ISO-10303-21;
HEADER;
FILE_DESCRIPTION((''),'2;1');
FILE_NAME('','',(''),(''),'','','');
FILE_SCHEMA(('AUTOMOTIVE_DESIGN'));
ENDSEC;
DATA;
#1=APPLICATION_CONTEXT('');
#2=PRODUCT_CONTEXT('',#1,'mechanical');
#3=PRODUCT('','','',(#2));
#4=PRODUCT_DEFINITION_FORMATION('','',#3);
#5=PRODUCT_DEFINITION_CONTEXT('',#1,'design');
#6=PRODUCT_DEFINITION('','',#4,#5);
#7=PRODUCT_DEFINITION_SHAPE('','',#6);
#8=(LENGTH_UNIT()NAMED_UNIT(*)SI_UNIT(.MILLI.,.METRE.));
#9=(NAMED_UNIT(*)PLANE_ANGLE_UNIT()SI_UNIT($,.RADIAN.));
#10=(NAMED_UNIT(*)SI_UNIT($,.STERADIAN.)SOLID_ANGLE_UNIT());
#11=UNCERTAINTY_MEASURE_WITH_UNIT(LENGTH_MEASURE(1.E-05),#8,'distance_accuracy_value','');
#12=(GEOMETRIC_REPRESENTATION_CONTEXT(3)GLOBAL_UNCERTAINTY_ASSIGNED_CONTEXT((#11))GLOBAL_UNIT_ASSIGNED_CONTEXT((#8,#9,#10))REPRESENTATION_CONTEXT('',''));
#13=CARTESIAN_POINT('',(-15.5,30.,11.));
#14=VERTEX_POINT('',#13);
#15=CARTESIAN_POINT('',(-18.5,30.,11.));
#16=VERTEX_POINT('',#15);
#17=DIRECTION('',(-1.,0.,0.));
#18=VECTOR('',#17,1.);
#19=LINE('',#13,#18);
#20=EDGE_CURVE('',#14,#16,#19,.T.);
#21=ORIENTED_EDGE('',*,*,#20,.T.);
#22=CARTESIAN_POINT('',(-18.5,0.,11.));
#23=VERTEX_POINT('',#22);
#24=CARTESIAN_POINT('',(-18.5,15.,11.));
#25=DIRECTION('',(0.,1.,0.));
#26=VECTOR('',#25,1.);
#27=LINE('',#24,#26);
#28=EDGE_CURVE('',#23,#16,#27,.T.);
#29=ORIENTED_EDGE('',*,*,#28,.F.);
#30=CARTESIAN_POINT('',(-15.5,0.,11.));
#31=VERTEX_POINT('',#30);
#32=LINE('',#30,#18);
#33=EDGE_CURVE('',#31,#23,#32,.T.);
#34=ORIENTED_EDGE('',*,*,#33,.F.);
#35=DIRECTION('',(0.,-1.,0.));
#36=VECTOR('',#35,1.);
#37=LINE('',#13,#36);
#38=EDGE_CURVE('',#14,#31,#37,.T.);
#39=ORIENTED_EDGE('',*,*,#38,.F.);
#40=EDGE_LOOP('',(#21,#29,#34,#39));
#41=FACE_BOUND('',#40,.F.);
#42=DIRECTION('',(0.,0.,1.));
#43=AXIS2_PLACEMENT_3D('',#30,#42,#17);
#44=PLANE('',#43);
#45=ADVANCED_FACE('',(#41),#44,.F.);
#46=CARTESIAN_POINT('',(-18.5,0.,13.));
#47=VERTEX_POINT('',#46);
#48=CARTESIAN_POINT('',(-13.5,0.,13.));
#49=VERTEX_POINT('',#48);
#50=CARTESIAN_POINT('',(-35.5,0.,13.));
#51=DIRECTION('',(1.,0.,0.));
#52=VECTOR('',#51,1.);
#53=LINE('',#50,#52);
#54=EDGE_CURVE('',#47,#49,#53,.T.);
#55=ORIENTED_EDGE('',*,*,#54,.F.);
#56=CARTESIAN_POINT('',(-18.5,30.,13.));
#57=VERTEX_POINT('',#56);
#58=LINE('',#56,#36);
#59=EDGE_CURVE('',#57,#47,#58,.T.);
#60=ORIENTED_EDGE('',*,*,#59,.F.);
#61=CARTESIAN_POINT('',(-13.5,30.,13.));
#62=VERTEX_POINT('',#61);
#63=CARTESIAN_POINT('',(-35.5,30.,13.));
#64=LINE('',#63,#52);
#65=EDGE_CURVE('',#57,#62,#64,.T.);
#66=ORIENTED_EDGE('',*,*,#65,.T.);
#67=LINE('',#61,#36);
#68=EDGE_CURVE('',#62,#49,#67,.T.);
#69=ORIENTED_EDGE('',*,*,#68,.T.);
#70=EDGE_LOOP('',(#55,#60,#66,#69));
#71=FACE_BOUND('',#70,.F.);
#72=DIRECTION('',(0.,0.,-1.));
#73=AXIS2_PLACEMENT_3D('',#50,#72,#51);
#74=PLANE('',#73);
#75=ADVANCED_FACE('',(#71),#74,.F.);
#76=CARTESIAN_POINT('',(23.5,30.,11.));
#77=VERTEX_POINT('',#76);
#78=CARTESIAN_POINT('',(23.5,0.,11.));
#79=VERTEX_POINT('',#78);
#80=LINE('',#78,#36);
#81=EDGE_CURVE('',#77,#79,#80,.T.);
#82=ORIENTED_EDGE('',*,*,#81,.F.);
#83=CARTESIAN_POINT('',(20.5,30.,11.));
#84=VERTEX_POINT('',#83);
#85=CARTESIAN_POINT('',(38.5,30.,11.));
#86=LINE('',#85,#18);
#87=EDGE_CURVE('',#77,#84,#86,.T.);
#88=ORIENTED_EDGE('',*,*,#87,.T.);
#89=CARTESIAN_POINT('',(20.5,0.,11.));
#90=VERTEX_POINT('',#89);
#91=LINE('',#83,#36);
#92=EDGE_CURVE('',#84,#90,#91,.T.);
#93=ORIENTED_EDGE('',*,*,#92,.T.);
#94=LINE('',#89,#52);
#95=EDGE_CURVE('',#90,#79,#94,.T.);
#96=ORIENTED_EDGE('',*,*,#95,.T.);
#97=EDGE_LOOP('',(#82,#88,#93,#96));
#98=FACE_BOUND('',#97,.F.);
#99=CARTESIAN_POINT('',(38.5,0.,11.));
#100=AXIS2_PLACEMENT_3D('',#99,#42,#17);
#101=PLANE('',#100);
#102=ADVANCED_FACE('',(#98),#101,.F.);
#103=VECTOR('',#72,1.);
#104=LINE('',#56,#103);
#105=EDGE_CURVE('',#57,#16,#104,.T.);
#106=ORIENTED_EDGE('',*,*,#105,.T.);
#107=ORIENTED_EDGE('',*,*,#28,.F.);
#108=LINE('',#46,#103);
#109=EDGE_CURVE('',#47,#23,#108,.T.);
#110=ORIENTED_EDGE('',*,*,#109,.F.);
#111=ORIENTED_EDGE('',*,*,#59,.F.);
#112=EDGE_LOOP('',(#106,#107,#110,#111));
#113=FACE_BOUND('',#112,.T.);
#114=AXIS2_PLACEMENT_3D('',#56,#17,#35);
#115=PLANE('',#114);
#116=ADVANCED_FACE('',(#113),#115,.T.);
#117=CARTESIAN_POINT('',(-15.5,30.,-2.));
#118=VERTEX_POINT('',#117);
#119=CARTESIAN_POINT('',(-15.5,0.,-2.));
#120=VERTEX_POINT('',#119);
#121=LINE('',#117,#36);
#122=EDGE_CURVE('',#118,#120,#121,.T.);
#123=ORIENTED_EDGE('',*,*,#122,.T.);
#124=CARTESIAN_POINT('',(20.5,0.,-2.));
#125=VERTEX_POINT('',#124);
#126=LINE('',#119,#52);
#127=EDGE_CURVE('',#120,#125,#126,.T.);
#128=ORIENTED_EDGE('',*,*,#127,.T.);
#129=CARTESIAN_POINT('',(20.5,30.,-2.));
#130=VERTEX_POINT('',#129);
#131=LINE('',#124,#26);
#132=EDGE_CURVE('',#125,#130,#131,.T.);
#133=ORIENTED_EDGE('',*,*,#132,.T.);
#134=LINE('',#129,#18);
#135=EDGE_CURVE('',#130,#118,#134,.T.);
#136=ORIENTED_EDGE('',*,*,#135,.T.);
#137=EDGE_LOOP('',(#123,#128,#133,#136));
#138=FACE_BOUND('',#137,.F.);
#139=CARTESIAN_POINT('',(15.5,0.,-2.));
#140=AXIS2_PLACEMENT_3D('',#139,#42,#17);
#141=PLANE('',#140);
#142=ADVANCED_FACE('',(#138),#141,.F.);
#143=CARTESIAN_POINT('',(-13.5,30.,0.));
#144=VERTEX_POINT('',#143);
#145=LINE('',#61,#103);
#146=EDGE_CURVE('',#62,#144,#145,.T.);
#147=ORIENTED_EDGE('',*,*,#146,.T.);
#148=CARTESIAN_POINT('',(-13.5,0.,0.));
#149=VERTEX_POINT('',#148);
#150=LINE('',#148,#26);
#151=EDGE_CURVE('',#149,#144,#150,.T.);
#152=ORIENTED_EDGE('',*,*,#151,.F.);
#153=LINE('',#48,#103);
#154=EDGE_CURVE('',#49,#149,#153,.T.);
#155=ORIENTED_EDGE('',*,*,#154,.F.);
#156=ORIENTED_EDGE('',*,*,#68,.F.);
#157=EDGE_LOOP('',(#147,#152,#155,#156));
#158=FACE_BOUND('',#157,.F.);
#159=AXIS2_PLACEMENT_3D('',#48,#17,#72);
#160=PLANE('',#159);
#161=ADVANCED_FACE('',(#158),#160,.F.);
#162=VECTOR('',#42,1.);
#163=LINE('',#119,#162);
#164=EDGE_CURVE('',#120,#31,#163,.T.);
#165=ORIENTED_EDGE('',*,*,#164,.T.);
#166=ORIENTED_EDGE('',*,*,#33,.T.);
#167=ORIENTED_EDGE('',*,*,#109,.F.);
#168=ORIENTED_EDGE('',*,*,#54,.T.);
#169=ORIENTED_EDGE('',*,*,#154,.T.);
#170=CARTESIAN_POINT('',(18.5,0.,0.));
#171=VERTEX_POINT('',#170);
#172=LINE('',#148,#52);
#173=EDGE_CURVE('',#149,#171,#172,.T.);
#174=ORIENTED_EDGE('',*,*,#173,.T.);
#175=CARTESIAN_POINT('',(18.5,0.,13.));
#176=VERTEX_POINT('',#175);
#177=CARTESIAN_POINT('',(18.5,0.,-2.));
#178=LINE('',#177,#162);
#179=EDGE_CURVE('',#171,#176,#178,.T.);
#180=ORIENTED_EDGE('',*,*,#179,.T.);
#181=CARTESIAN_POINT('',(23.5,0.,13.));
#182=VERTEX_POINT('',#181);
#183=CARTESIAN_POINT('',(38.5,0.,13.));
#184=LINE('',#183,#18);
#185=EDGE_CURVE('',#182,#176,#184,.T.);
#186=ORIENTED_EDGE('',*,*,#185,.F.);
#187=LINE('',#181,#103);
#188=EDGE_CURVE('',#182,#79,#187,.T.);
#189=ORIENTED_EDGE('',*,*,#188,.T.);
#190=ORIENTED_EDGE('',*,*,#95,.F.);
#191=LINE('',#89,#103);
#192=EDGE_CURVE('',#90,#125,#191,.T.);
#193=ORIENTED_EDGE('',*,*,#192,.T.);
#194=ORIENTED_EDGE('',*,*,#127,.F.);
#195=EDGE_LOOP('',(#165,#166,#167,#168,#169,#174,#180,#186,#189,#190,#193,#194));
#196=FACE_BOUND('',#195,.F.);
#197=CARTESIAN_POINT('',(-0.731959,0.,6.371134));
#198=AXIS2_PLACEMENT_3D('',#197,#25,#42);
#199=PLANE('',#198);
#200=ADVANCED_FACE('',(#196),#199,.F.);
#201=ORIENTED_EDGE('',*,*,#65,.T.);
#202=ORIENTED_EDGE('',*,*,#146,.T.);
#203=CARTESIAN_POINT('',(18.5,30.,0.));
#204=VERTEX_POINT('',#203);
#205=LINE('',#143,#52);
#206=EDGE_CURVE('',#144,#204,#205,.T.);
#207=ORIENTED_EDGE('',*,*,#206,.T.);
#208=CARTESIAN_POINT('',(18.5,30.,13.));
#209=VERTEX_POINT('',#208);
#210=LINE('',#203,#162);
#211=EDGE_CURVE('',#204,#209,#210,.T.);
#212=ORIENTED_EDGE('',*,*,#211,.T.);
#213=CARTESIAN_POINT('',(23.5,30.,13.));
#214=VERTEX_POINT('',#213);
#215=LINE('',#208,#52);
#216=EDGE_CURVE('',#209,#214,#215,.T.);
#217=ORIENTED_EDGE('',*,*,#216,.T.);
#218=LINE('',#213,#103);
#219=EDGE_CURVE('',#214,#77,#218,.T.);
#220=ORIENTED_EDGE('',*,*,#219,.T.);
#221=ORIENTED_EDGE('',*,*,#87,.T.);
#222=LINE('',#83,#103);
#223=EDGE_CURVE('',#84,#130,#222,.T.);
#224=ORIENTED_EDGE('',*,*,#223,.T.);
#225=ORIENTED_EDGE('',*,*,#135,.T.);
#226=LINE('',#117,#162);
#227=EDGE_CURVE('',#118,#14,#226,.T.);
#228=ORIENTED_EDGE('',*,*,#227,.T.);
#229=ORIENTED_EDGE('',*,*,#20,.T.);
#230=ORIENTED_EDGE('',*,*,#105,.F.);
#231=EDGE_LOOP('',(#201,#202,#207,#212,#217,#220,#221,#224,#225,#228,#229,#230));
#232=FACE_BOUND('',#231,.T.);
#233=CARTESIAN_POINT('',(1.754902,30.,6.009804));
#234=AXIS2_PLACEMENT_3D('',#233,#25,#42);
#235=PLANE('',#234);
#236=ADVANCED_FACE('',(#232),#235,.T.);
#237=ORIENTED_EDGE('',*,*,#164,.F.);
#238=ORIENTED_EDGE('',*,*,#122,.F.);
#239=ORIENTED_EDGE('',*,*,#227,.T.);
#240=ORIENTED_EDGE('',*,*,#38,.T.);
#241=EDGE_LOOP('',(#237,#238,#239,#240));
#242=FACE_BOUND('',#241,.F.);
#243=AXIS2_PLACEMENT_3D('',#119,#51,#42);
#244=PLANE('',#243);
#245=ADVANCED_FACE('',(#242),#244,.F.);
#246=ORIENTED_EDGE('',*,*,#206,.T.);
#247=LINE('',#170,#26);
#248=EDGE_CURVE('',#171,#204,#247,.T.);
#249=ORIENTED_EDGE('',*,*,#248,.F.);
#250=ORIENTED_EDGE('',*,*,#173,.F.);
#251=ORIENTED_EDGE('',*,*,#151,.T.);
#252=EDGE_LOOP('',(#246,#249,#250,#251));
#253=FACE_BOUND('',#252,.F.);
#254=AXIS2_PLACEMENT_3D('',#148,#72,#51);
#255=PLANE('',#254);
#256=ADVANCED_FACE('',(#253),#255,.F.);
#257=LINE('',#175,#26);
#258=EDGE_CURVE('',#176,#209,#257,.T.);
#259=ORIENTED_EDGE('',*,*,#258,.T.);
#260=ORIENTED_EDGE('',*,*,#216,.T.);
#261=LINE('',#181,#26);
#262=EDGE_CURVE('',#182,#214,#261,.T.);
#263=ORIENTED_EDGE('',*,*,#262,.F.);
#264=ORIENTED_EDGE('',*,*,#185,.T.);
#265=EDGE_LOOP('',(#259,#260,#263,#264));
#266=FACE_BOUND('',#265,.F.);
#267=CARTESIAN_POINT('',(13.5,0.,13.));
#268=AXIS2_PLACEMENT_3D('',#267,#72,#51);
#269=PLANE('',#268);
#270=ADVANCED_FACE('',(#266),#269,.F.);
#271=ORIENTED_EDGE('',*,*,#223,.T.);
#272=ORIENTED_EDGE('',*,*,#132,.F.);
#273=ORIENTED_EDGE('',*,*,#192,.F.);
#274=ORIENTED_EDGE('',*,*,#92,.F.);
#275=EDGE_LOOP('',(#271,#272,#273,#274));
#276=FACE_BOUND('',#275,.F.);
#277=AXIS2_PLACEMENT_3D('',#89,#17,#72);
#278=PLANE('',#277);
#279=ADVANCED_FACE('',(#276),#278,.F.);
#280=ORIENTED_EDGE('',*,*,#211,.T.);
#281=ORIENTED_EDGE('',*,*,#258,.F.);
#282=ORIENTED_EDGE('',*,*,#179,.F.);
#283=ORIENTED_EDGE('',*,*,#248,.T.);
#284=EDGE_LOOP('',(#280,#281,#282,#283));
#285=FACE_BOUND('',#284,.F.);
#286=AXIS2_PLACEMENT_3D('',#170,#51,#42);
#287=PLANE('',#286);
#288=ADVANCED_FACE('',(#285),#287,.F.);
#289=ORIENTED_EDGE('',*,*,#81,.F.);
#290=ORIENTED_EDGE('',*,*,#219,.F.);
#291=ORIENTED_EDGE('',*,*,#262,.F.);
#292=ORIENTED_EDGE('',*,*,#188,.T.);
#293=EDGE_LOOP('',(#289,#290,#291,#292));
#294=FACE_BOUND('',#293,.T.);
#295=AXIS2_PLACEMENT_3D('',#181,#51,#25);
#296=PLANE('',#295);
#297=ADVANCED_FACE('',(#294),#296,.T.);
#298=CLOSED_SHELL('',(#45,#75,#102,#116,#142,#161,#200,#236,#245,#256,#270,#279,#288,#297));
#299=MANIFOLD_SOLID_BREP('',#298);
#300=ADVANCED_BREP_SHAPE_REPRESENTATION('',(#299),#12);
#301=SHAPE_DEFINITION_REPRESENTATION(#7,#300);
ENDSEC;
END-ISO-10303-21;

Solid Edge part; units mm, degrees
sketch "Sketch1" plane through (0, 0, 0) normal (0, -1, 0) x (1, 0, 0)
  line L0 (-13.5, 13) -> (-13.5, 0)
  line L1 (-13.5, 0) -> (13.5, 0)
  line L2 (13.5, 0) -> (13.5, 13)
  line L3 (13.5, 13) -> (33.5, 13)
  line L4 (33.5, 13) -> (33.5, 11)
  line L5 (33.5, 11) -> (15.5, 11)
  line L6 (15.5, 11) -> (15.5, -2)
  line L7 (15.5, -2) -> (-15.5, -2)
  line L8 (-15.5, -2) -> (-15.5, 11)
  line L9 (-15.5, 11) -> (-35.5, 11)
  line L10 (-35.5, 11) -> (-35.5, 13)
  line L11 (-35.5, 13) -> (-13.5, 13)
extrude "Protrusion1" add sketch "Sketch1" against normal blind 20
sketch "Sketch2" plane through (-1, 0, 5.5) normal (0, -1, 0) x (1, 0, 0)
  line L0 (21.5, 5.5) -> (21.5, -7.5)
  line L1 (21.5, -7.5) -> (-14.5, -7.5)
  line L2 (-14.5, -7.5) -> (-14.5, 5.5)
  line L3 (-14.5, 5.5) -> (-34.5, 5.5)
  line L4 (-34.5, 5.5) -> (-34.5, 7.5)
  line L5 (-34.5, 7.5) -> (-12.5, 7.5)
  line L6 (-12.5, 7.5) -> (-12.5, -5.5)
  line L7 (-12.5, -5.5) -> (19.5, -5.5)
  line L8 (19.5, -5.5) -> (19.5, 7.5)
  line L9 (19.5, 7.5) -> (39.5, 7.5)
  line L10 (39.5, 7.5) -> (39.5, 5.5)
  line L11 (39.5, 5.5) -> (21.5, 5.5)
extrude "ExtrudedProtrusion_2" add sketch "Sketch2" against normal blind 30
sketch "Sketch3" plane through (26, 15, 13) normal (0, 0, 1) x (1, 0, 0)
  line L0 (-12.5, -15) -> (-12.5, 5)
  line L1 (-12.5, 5) -> (-7.5, 5)
  line L2 (-7.5, 5) -> (-7.5, -15)
  line L3 (-7.5, -15) -> (-12.5, -15)
extrude "Cutout1" cut sketch "Sketch3" against normal up to next
sketch "Sketch4" plane through (2.5, 15, -2) normal (0, 0, -1) x (1, 0, 0)
  line L0 (11, -5) -> (16, -5)
  line L1 (16, -5) -> (16, 15)
  line L2 (16, 15) -> (10.9467, 15)
  line L3 (10.9467, 15) -> (11, -5)
extrude "ExtrudedProtrusion_3" add sketch "Sketch4" against normal blind 2
sketch "Sketch5" plane through (-24.5, 15, 13) normal (0, 0, 1) x (0, 1, 0)
  line L0 (15, -6) -> (-15, -6)
  line L1 (-15, -6) -> (-15, 11)
  line L2 (-15, 11) -> (15, 11)
  line L3 (15, 11) -> (15, -6)
  line L4 (-15, -48) -> (15, -48)
  line L5 (15, -48) -> (15, -63)
  line L6 (15, -63) -> (-15, -63)
  line L7 (-15, -63) -> (-15, -48)
extrude "Cutout2" cut sketch "Sketch5" against normal up to next
